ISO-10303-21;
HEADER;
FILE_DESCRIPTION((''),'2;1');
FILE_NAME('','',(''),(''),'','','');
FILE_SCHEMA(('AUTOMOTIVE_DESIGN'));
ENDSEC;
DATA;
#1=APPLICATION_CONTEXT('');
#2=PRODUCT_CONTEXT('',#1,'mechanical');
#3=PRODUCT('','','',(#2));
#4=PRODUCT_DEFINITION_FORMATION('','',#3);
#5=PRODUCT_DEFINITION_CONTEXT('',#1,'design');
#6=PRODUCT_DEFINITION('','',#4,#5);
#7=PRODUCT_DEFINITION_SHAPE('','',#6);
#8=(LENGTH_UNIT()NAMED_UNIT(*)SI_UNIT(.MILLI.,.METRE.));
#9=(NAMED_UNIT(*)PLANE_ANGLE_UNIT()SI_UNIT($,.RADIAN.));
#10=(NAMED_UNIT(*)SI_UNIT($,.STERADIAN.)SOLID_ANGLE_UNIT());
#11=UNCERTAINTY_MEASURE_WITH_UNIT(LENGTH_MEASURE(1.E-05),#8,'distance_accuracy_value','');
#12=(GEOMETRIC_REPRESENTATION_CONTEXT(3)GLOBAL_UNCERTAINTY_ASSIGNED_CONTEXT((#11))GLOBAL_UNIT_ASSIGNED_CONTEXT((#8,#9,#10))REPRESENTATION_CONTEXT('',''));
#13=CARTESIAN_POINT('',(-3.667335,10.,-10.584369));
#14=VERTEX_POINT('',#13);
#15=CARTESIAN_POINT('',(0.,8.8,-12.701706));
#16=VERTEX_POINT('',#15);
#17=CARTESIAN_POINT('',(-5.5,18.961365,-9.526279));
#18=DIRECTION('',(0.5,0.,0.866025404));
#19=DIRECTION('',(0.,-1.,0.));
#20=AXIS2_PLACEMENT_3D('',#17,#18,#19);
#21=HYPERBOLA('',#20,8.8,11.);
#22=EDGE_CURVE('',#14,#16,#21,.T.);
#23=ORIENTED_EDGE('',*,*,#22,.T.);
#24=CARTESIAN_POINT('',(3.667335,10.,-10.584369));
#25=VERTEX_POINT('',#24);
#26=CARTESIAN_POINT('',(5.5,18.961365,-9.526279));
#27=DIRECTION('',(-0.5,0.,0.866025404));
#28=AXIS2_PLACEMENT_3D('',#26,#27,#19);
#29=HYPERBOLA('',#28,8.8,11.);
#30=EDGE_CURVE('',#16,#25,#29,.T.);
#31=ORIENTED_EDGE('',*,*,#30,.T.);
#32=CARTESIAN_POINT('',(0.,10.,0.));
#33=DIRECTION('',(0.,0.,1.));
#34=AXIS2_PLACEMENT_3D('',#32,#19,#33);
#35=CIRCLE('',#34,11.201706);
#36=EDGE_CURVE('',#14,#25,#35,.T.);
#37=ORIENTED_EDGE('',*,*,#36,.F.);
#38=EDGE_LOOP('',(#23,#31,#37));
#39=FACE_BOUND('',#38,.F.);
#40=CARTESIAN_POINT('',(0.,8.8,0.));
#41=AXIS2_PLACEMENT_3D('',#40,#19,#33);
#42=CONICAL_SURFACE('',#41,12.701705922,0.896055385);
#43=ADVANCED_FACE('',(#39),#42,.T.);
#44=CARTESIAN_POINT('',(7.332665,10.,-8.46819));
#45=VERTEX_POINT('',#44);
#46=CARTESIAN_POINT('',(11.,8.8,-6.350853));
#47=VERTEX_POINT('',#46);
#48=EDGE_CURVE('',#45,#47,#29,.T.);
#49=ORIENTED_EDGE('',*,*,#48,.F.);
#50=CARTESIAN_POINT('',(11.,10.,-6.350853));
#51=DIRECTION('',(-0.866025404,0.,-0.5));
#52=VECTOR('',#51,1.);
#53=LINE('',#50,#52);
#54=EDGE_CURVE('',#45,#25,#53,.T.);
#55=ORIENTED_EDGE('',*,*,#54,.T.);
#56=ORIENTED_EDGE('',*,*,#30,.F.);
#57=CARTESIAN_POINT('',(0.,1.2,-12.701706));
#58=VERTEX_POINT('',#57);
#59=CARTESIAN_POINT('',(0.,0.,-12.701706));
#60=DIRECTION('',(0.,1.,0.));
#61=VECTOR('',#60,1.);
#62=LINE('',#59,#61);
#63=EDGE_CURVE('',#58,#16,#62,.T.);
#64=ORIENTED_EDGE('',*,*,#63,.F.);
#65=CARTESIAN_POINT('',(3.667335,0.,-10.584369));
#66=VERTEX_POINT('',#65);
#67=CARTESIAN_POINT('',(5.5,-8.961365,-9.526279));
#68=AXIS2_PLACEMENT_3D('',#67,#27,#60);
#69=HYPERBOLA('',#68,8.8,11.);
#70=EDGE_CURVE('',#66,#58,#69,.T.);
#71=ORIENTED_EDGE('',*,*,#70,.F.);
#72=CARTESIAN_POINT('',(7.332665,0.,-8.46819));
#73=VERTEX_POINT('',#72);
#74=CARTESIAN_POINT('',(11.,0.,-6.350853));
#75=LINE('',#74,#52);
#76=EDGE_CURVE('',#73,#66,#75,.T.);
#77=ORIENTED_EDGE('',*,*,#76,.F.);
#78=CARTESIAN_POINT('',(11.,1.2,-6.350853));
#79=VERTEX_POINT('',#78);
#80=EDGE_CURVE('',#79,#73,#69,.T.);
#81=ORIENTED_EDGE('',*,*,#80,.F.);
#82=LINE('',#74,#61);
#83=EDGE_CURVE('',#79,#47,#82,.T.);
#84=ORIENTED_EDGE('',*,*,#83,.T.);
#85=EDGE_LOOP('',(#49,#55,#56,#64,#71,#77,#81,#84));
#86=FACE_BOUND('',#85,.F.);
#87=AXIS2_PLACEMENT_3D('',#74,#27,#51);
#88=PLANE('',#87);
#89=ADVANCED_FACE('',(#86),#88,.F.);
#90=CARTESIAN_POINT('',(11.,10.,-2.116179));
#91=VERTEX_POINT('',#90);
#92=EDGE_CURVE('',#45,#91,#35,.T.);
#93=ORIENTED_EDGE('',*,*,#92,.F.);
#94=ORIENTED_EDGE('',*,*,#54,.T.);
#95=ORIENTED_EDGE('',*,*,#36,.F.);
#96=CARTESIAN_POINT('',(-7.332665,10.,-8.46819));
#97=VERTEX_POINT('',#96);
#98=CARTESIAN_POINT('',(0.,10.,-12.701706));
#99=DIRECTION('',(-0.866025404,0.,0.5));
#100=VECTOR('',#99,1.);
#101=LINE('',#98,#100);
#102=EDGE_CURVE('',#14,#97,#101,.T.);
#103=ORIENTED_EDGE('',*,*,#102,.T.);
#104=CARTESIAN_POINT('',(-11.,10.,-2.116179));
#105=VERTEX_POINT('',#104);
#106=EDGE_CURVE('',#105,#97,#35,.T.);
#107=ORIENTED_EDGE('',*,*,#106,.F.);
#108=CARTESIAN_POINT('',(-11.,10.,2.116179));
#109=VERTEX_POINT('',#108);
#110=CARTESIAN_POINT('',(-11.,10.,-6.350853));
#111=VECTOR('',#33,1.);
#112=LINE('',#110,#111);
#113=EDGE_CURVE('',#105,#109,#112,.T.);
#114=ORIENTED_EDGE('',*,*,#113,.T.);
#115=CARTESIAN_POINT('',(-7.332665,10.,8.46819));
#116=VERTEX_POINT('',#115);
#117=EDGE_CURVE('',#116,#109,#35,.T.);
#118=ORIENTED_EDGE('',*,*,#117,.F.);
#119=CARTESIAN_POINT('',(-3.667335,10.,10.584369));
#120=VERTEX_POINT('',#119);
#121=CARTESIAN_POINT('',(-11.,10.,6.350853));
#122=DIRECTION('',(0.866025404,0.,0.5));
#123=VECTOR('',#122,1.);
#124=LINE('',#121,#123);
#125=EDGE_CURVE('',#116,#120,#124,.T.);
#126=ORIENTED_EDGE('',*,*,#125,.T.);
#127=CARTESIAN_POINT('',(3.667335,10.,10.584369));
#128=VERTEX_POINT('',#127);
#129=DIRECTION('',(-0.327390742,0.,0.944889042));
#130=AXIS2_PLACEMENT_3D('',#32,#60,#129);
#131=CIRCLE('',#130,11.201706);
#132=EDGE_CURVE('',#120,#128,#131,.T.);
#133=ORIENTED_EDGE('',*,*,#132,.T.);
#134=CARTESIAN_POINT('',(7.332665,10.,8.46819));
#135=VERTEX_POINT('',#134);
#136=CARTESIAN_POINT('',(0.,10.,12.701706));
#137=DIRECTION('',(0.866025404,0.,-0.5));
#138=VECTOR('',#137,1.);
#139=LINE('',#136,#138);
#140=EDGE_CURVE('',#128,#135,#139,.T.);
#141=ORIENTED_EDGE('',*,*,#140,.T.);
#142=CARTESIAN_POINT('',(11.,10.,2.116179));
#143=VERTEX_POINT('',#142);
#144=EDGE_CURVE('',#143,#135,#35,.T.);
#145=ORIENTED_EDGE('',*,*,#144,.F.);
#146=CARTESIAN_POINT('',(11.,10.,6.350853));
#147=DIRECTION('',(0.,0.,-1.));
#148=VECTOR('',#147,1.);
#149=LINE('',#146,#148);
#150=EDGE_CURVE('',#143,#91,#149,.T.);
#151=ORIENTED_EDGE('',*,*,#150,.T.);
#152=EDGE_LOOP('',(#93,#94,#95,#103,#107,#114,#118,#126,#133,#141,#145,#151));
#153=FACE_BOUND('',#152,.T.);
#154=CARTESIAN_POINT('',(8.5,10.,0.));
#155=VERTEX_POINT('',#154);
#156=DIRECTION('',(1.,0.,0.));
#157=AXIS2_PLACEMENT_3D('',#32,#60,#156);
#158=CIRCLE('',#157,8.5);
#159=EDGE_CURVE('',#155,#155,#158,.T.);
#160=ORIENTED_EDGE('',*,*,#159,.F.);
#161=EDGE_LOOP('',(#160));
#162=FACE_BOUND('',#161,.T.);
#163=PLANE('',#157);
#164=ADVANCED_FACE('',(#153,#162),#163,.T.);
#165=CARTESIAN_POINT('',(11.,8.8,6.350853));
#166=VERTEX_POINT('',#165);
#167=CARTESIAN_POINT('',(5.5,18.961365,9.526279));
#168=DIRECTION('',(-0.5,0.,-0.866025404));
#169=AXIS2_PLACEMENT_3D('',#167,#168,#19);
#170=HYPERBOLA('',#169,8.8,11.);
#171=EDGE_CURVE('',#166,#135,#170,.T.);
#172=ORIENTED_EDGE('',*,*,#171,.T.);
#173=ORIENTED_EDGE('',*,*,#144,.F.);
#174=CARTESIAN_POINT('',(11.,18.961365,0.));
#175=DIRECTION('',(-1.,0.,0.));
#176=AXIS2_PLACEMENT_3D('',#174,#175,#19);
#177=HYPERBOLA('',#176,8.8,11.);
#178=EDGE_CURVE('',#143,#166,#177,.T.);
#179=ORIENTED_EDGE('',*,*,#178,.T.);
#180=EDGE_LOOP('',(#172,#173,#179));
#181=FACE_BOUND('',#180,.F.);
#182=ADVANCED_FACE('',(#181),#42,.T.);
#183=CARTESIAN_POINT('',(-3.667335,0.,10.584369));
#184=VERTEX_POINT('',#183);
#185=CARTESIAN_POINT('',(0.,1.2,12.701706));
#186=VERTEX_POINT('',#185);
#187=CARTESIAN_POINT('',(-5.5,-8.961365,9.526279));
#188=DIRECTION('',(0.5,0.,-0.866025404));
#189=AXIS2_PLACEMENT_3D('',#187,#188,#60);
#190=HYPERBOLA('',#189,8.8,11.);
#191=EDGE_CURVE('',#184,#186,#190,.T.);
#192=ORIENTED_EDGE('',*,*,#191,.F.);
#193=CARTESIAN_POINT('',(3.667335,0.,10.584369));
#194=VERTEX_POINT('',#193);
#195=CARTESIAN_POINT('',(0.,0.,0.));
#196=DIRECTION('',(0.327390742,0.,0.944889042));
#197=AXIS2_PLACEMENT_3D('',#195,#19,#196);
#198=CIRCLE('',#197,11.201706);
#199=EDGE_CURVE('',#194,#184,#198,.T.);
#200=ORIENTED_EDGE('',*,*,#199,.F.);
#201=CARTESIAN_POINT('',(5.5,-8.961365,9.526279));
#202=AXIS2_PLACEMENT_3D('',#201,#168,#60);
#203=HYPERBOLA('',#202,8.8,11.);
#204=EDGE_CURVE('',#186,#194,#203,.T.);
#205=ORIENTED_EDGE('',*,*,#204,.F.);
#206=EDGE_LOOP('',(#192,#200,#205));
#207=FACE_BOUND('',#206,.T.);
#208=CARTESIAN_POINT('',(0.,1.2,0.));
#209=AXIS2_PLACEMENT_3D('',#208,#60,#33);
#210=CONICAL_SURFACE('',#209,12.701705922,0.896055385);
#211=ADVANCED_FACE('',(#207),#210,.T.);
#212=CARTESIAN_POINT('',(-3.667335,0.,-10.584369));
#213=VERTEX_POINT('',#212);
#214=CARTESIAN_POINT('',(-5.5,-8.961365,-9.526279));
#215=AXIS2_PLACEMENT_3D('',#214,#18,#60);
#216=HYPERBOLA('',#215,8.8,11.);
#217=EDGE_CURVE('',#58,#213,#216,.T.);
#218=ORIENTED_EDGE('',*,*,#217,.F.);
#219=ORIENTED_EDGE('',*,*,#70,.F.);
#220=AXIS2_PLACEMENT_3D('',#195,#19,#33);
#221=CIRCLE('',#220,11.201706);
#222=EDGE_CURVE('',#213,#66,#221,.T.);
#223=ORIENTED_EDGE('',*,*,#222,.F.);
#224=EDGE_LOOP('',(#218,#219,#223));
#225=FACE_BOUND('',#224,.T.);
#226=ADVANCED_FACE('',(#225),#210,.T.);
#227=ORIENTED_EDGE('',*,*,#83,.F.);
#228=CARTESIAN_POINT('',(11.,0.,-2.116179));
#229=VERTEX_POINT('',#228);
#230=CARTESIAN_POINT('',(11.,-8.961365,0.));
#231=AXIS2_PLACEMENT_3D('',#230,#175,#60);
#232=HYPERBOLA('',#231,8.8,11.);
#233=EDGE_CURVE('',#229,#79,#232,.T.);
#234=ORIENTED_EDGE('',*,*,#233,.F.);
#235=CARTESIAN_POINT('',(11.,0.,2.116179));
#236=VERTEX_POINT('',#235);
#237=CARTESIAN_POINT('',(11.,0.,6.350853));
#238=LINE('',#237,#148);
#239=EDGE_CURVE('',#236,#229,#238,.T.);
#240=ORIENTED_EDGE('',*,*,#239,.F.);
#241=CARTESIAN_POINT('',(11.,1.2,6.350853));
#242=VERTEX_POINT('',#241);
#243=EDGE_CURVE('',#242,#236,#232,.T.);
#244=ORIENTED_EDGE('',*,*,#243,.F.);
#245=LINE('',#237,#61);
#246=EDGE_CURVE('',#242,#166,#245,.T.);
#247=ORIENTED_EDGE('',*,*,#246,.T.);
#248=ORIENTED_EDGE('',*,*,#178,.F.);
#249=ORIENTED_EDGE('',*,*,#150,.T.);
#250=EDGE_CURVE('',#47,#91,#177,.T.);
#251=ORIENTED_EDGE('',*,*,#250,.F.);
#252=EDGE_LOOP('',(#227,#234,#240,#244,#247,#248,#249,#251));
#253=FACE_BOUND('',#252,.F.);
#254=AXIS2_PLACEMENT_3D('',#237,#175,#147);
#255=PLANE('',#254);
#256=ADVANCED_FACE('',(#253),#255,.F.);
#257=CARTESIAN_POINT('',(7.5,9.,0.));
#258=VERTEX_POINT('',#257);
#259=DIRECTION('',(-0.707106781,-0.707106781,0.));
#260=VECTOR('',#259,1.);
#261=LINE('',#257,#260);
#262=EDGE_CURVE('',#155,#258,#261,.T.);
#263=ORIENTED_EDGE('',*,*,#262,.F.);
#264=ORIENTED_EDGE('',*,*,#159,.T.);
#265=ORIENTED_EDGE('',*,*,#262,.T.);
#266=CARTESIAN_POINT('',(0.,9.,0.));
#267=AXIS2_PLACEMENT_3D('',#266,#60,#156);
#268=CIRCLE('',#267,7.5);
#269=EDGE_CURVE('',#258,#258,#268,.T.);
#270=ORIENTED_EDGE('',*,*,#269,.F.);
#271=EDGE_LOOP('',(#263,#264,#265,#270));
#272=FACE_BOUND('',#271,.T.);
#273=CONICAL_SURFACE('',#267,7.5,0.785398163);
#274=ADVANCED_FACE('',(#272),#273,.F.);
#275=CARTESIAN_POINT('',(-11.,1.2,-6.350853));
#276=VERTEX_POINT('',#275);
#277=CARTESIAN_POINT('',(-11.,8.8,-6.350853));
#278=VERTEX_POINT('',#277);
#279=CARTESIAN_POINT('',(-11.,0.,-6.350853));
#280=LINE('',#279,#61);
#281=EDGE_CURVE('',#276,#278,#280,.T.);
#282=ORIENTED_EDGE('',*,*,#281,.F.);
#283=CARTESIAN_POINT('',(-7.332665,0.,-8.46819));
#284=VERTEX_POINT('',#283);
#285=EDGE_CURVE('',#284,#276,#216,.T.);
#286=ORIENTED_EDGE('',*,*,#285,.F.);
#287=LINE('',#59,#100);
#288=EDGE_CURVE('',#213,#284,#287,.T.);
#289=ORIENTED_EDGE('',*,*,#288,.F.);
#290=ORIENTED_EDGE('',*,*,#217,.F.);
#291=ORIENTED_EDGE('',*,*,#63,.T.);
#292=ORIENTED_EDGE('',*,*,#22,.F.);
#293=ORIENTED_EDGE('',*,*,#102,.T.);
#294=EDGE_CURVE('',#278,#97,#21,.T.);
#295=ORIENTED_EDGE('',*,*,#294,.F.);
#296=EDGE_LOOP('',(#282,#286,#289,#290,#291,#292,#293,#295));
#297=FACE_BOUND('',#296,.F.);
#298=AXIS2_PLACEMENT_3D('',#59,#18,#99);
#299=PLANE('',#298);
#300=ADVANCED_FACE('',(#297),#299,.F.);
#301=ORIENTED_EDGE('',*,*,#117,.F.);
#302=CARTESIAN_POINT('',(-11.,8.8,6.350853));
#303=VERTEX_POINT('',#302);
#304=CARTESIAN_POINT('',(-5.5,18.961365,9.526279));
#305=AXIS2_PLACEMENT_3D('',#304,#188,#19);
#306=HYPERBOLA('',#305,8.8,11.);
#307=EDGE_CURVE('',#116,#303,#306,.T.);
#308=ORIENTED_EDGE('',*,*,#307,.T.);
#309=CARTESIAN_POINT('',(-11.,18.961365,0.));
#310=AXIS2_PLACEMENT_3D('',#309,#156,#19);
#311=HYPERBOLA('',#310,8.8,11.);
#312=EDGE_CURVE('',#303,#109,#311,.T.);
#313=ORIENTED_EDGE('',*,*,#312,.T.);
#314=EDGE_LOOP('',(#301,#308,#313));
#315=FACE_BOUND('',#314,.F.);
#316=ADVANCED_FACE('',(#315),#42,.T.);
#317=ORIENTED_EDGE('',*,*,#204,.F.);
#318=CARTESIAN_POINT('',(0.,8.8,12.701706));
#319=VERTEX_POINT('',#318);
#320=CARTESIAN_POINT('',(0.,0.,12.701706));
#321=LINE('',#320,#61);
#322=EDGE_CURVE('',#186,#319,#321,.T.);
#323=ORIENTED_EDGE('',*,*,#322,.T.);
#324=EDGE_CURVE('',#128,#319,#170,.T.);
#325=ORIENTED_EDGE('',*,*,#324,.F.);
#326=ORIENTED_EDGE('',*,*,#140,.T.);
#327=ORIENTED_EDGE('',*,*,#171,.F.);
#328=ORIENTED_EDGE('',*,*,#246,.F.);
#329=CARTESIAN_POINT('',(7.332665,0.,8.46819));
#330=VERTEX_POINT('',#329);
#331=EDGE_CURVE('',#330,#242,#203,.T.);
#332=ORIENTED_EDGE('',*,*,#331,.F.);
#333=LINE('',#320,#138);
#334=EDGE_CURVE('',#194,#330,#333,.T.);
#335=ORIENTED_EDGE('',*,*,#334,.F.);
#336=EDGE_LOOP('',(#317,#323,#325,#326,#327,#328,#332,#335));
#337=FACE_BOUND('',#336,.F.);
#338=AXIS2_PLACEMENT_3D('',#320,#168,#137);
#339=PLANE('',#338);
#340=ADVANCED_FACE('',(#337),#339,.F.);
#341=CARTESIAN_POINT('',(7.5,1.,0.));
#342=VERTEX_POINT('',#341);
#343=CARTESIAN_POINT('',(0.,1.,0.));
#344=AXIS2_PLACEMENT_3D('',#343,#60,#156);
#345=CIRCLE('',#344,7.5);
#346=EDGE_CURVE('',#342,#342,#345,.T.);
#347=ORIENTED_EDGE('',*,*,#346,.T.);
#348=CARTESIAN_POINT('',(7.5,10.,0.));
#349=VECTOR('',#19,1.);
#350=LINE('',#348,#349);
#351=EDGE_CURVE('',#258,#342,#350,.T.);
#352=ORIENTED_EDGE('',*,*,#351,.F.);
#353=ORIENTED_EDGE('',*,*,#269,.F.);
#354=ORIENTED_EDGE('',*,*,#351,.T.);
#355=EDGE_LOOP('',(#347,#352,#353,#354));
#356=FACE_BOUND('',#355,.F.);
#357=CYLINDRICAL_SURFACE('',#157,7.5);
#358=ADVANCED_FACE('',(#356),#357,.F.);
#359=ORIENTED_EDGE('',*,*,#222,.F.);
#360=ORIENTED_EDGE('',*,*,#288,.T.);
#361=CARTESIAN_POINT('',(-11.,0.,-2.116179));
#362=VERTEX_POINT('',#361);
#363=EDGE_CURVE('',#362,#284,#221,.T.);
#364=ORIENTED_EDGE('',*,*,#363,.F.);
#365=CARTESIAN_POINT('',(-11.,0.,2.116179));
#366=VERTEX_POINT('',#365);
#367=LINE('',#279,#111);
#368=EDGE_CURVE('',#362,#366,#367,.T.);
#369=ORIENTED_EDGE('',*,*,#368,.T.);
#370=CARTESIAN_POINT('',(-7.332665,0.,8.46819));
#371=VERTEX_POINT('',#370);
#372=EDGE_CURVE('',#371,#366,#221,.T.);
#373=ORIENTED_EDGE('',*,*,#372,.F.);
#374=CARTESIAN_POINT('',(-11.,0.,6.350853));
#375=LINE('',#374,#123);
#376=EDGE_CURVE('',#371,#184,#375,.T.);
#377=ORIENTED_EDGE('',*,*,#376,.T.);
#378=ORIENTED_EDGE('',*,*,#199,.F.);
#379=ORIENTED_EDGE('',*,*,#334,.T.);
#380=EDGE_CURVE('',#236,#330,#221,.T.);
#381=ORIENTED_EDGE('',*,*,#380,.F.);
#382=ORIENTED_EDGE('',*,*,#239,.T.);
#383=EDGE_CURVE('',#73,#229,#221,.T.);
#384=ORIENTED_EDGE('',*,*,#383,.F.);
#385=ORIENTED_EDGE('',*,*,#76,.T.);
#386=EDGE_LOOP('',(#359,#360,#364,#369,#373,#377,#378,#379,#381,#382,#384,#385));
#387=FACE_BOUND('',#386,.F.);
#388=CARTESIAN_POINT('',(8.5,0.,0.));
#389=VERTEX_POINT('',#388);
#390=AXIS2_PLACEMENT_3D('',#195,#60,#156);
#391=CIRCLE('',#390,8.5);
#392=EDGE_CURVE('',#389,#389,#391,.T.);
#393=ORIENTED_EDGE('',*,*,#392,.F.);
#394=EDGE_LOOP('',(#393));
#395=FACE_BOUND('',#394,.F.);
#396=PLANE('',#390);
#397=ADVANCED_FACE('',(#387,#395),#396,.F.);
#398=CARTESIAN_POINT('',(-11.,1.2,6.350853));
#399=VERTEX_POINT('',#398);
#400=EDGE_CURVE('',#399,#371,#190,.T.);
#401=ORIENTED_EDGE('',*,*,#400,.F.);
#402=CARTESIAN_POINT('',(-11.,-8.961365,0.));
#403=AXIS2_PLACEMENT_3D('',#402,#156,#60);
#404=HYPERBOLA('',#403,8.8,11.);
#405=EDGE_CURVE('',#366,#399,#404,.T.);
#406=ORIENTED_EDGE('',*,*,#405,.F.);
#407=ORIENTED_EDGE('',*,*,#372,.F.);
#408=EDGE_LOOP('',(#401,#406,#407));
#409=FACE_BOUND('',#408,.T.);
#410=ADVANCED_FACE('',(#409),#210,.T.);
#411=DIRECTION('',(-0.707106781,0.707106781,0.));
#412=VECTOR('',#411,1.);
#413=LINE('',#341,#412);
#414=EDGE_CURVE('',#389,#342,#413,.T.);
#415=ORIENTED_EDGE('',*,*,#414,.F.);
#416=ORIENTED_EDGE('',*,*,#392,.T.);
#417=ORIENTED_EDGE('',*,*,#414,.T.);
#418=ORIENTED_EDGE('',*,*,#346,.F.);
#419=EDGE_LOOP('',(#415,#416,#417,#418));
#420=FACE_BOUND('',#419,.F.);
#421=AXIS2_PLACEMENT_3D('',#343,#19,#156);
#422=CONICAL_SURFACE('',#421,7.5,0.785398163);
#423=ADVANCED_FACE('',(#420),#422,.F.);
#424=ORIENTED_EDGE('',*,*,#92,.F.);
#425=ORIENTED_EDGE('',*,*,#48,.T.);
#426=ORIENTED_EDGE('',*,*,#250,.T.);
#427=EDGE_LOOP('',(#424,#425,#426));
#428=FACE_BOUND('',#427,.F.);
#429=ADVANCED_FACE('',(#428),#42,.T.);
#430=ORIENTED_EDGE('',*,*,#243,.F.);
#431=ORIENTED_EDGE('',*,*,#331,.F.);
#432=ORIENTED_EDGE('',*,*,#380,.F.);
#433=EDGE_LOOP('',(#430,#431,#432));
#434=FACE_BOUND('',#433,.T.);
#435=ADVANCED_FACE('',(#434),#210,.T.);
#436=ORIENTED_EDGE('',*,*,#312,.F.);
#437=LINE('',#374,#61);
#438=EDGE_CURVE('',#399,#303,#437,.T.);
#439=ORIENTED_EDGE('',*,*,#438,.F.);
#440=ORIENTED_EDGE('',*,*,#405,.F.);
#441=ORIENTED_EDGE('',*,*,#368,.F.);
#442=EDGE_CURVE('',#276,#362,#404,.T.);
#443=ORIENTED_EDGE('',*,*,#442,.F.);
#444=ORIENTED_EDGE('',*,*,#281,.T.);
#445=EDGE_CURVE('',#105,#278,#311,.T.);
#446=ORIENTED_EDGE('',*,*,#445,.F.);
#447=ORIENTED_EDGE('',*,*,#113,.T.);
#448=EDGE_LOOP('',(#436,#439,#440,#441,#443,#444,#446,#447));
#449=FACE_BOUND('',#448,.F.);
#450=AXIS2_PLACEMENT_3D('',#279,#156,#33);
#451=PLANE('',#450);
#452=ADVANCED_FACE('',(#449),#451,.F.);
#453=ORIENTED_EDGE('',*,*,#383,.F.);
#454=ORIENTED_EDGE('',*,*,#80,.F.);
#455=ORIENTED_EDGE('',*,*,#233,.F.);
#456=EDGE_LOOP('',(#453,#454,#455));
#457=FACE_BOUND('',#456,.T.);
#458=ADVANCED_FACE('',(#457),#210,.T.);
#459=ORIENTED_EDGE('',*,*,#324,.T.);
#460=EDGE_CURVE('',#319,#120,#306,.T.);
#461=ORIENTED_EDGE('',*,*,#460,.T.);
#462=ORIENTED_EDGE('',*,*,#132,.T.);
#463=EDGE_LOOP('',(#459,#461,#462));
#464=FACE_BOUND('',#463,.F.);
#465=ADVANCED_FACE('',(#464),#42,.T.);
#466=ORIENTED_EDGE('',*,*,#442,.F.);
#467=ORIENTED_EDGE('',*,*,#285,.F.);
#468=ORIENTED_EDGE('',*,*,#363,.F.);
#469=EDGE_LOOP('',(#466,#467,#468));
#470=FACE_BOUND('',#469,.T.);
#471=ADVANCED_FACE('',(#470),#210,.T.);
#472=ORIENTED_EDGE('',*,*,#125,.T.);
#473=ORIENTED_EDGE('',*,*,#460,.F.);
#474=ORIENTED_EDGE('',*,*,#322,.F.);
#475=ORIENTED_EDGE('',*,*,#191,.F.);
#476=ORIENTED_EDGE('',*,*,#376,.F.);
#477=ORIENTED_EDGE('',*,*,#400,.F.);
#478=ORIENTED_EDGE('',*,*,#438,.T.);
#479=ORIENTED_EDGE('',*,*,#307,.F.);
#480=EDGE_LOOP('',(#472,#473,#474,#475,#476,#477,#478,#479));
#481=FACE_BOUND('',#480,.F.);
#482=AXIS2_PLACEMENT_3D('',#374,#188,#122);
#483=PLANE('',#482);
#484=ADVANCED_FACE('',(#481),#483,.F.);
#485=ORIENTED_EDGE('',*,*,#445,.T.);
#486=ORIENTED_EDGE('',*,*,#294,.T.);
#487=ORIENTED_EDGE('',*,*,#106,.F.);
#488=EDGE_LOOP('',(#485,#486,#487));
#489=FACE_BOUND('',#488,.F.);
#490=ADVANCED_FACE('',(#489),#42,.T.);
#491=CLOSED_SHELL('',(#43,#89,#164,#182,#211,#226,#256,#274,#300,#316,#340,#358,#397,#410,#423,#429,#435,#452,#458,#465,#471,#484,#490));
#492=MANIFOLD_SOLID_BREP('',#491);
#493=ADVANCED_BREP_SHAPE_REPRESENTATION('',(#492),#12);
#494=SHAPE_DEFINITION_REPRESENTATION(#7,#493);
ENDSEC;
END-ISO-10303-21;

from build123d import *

# Parameters (mm, degrees)
BOSS_EXTRUDE1_DEPTH = 10
SKETCH4_R           = 7.5
CUT_EXTRUDE1_DEPTH  = 11
CHAMFER1_SIZE       = 1


with BuildPart() as part:
    # Sketch3 → Boss-Extrude1 (new body)
    with BuildSketch(Plane(origin=(0, 0, 0), x_dir=(1, 0, 0), z_dir=(0, 1, 0))):
        Polygon((-11, 6.350852961), (-11, -6.350852961), (0, -12.701705922), (11, -6.350852961), (11, 6.350852961), (0, 12.701705922), align=None)
    extrude(amount=BOSS_EXTRUDE1_DEPTH)

    # Sketch4 → Cut-Extrude1 (cut, through all)
    with BuildSketch(Plane(origin=(0, 10, 0), x_dir=(1, 0, 0), z_dir=(0, 1, 0))):
        Circle(SKETCH4_R)
    extrude(amount=-CUT_EXTRUDE1_DEPTH, mode=Mode.SUBTRACT)

    # Chamfer1
    chamfer1_edges = [part.edges().sort_by_distance(p)[0] for p in [
        (-7.5, 0, 0),
        (-7.5, 10, 0),
    ]]
    chamfer(chamfer1_edges, length=CHAMFER1_SIZE)

    # Sketch5 → Cut-Revolve1 (revolve, cut)
    with BuildSketch(Plane(origin=(0, 0, 0), x_dir=(0, 0, -1), z_dir=(1, 0, 0))):
        Polygon((-12.701705922, 10), (-12.701705922, 8.8), (-11.201705922, 10), align=None)
        Polygon((-12.701705922, 0), (-12.701705922, 1.2), (-11.201705922, 0), align=None)
    revolve(axis=Axis((0, 13.174691504, 0), (0, -1, 0)), mode=Mode.SUBTRACT)


solid = part.part
